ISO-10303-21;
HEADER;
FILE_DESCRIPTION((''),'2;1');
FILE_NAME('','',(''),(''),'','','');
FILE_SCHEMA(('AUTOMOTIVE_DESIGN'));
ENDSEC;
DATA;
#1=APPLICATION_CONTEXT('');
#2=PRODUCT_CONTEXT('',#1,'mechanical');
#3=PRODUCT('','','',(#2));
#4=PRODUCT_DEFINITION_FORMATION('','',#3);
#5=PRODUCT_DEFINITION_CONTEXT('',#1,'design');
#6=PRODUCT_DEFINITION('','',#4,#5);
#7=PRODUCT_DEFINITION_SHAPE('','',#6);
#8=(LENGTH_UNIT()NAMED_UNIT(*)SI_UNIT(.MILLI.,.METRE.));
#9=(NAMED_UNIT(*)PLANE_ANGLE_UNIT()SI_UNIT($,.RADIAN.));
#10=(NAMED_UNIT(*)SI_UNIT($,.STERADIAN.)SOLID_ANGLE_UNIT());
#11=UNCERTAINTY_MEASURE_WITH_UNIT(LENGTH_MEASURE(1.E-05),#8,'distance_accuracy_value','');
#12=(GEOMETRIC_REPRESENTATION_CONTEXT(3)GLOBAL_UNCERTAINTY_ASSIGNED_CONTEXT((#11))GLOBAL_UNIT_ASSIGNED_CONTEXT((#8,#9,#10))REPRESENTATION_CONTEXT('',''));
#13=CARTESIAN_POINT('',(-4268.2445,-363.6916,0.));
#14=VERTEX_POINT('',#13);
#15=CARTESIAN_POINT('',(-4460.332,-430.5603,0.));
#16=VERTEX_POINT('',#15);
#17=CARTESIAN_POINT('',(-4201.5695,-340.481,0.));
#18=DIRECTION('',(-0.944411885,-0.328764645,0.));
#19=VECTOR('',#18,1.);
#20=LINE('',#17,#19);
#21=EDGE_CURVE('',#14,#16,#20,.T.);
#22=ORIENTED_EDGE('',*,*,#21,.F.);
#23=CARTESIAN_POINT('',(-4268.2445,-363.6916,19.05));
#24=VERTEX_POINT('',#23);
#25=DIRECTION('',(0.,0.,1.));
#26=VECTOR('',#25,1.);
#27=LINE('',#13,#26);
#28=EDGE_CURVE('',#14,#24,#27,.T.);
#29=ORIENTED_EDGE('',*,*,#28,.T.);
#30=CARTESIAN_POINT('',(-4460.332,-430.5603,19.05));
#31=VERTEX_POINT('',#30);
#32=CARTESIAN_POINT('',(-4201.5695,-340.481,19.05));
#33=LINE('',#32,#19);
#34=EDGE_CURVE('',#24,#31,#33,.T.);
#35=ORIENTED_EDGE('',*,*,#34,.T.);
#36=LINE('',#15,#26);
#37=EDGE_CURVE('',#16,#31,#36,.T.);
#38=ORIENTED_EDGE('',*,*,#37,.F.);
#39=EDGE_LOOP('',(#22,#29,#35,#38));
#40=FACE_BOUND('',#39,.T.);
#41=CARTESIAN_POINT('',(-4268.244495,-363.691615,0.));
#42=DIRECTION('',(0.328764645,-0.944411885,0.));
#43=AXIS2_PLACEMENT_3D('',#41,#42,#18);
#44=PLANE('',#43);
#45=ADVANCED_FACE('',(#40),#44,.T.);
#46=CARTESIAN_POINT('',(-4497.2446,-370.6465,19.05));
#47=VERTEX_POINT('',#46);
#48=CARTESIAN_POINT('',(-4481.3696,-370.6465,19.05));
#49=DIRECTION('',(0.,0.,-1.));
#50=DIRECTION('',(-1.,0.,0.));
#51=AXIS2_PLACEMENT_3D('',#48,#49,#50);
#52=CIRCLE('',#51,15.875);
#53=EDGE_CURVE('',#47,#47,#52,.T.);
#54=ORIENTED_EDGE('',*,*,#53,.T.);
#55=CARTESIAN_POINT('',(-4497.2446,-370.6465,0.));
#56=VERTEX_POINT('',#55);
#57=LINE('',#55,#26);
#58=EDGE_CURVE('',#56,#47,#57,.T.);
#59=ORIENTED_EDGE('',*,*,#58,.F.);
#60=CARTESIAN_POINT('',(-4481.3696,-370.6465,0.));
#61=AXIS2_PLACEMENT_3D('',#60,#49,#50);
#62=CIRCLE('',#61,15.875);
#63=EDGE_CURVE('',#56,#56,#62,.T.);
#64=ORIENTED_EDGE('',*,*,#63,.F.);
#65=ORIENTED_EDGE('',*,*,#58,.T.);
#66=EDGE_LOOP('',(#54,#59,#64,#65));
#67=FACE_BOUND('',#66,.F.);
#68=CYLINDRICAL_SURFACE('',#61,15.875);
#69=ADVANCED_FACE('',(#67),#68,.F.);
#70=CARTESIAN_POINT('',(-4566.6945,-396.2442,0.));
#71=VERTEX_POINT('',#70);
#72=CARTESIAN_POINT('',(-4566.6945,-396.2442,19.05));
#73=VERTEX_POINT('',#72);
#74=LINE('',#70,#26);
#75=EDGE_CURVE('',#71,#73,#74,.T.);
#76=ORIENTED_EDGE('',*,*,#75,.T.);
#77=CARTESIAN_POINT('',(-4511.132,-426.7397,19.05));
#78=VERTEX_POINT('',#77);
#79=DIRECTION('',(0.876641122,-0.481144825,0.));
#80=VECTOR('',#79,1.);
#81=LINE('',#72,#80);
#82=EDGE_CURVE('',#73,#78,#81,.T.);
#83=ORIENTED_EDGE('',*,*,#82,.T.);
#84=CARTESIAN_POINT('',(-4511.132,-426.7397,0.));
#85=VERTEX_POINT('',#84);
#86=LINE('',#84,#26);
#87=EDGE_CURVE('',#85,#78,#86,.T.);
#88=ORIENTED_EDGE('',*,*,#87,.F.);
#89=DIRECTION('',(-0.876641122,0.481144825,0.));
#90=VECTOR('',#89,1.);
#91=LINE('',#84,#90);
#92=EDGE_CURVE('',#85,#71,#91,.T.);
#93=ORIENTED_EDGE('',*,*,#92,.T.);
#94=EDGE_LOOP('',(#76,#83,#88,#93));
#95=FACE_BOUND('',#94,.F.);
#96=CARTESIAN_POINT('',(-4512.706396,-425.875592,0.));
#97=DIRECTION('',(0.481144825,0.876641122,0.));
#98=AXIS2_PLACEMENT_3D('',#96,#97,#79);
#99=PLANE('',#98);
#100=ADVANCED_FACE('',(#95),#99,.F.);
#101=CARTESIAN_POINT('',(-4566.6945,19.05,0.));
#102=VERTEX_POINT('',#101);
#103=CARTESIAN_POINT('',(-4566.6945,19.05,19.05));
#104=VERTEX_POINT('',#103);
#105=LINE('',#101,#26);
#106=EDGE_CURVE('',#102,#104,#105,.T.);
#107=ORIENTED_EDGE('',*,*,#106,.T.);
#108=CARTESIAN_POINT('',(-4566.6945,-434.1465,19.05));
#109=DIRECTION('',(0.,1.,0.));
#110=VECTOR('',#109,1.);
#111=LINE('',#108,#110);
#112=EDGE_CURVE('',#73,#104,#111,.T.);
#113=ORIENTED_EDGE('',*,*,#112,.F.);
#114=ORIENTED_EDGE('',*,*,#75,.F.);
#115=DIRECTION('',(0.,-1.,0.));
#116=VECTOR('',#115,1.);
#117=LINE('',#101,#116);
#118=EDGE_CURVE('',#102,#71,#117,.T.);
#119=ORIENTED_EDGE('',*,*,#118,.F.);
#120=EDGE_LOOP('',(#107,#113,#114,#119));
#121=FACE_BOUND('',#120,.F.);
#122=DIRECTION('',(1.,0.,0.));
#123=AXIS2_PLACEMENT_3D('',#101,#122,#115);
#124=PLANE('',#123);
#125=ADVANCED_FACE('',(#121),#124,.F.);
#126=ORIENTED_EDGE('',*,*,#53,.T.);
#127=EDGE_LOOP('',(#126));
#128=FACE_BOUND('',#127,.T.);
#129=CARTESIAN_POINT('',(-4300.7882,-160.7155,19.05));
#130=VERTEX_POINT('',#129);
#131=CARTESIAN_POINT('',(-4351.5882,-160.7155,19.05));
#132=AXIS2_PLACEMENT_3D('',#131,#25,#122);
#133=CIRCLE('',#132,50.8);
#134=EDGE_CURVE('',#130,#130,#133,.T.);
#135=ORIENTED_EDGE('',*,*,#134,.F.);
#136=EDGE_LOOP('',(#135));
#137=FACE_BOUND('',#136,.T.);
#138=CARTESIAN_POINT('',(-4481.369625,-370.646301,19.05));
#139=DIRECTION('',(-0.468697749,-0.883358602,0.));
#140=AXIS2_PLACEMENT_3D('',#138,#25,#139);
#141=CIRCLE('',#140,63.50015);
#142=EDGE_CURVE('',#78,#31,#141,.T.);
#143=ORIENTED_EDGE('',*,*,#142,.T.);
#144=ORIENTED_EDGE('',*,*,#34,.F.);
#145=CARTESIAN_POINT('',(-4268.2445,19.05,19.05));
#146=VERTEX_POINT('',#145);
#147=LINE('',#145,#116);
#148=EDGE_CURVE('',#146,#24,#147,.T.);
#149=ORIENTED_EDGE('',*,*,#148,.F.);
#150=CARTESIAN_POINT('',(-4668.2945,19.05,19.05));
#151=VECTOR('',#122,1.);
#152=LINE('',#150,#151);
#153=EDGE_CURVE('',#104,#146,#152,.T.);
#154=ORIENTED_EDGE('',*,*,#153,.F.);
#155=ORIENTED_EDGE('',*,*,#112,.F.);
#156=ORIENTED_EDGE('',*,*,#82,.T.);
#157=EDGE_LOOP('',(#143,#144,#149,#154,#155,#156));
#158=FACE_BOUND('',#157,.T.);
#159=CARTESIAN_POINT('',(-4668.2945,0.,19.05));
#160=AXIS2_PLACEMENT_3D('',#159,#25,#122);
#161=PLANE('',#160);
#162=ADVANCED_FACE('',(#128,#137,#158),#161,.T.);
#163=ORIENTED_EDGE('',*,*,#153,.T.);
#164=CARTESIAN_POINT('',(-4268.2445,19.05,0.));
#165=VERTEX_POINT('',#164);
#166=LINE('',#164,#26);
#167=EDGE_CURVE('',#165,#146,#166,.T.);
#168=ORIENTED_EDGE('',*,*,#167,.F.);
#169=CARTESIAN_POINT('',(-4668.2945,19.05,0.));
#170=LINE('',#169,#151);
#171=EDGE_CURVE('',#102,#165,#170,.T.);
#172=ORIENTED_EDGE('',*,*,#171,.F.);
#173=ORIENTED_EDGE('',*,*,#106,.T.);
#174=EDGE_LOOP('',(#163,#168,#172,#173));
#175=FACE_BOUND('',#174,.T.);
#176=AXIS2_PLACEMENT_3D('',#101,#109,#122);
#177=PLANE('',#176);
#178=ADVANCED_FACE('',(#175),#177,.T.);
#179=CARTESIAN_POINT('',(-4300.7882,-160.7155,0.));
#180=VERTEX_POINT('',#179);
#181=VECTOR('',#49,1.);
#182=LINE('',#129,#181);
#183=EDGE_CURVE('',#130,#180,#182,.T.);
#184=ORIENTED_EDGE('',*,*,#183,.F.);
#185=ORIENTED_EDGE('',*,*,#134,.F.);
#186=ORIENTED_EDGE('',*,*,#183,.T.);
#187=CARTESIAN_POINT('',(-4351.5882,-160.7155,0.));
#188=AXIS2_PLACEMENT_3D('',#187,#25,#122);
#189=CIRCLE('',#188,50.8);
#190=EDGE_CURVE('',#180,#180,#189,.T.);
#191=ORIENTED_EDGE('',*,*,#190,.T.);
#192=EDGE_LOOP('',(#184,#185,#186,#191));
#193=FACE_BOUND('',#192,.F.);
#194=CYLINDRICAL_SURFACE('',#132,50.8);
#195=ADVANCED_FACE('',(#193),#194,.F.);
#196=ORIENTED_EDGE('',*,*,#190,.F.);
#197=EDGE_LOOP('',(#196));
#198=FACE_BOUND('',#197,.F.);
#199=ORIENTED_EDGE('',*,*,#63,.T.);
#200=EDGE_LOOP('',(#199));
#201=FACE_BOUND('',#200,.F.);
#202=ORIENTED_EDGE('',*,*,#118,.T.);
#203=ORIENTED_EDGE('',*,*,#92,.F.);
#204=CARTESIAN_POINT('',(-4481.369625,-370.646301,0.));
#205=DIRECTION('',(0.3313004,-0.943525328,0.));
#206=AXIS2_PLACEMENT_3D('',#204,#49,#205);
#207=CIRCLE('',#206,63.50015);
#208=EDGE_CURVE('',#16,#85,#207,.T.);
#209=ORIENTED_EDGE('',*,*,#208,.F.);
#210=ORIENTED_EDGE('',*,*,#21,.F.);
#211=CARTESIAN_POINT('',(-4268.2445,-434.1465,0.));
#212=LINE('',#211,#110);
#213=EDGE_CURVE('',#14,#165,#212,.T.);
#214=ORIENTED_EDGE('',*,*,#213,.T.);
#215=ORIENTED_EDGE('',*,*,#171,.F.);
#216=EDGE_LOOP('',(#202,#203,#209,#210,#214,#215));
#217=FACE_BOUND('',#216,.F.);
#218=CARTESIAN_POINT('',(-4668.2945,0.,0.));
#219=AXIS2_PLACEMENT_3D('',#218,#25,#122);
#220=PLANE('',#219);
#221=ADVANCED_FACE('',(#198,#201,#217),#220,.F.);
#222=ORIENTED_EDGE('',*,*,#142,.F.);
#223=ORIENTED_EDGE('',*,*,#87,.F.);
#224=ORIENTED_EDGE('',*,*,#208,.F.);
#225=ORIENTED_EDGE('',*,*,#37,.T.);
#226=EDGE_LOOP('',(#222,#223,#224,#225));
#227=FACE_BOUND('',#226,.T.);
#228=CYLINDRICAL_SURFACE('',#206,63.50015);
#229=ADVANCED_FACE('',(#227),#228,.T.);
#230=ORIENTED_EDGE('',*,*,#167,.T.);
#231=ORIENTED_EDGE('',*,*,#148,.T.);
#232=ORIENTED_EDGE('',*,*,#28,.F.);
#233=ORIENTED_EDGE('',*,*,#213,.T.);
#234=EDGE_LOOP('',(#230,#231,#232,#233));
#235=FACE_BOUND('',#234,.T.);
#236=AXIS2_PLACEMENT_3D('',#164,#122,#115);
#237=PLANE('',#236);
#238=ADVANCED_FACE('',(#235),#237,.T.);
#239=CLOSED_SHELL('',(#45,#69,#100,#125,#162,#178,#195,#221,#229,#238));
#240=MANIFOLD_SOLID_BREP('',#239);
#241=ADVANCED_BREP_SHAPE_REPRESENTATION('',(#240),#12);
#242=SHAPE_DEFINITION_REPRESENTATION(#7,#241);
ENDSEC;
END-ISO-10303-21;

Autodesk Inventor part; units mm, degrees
ref_plane "YZ Plane" through (0, 0, 0) normal (1, 0, 0) x (0, 1, 0)
ref_plane "XZ Plane" through (0, 0, 0) normal (0, 1, 0) x (-1, 0, 0)
ref_plane "Work Plane1" through (-4668.2945, 0, 0) normal (0, 0, 1) x (1, 0, 0)
sketch "Sketch1" plane through (-4668.2945, 0, 0) normal (0, 0, 1) x (1, 0, 0)
  line L0 (0, 19.05) -> (466.725, 19.05) projected
  line L1 (466.725, 0) -> (466.725, 19.05) projected
  line L2 (0, 0) -> (0, 19.05) projected
  line L3 (0, -340.481) -> (0, -321.431) projected
  line L4 (466.725, -340.481) -> (0, -340.481) projected
  line L5 (466.725, -340.481) -> (0, -340.481) projected
  line L6 (466.725, -340.481) -> (466.725, -321.431) projected
  line L7 (0, -321.431) -> (466.725, -321.431) construction
  line L8 (0, -340.481) -> (0, -321.431) projected
  line L9 (466.725, 19.05) -> (0, 19.05)
  line L10 (0, 19.05) -> (0, -340.481) construction
  line L11 (466.725, -340.481) -> (466.725, 19.05) construction
  line L12 (147.3639, -408.7465) -> (46.3111, -408.7465) construction
  line L13 (466.725, -340.481) -> (466.725, -408.7465) construction
  line L14 (466.725, -408.7465) -> (147.3639, -408.7465) construction
  line L15 (46.3111, -408.7465) -> (0, -408.7465)
  line L16 (0, -408.7465) -> (0, -340.481) construction
  line L17 (466.725, -408.7465) -> (466.725, -434.1465)
  line L18 (466.725, -434.1465) -> (0, -434.1465)
  line L19 (0, -434.1465) -> (0, -408.7465)
  line L20 (400.05, 19.05) -> (400.05, 0)
  line L21 (400.05, -321.431) -> (400.05, -340.481)
  line L22 (400.05, 0) -> (400.05, -321.431)
  line L23 (400.05, -340.481) -> (400.05, -434.1465)
  line L24 (101.6, 19.05) -> (101.6, 0)
  line L25 (101.6, -321.431) -> (101.6, -340.481)
  line L26 (101.6, 0) -> (101.6, -321.431)
  line L27 (101.6, -340.481) -> (101.6, -434.1465)
  point P0 (4668.2945, 0)
  point P1 (50.8, 19.05)
  point P2 (50.8, -321.431)
  point P3 (50.8, -340.481)
  point P4 (50.8, -434.1465)
  dimension "d7" = 25.4
extrude "Extrusion1" add sketch "Sketch1" along normal blind 19.05
sketch "Sketch2" plane through (-4668.2945, 0, 0) normal (0, 0, -1) x (-1, 0, 0)
  line L0 (-232.5687, -355.978) -> (-232.5688, 34.547)
  line L1 (-141.2875, -408.7465) -> (-141.2875, 124.6535)
  circle A0 centre (-186.9249, -370.6465) radius 15.875
  line L2 (-232.5687, -370.6465) -> (-141.2875, -370.6465) construction
  line L3 (0, -408.7465) -> (-466.725, -408.7465) projected
  point P0 (-4668.2945, 0)
  dimension "d2" = 31.75
  dimension "d3" = 45.6438
  dimension "d4" = 38.1
extrude "Extrusion2" cut sketch "Sketch2" against normal up to next
sketch "Sketch3" plane through (-4668.2945, 0, 0) normal (0, 0, -1) x (-1, 0, 0)
  circle A0 centre (-186.9249, -370.6465) radius 15.875 projected
  arc A1 (-207.9625, -430.5603) -> (-155.5881, -425.8756) centre (-186.9249, -370.6465) ccw
  line L0 (-101.6, -434.1465) -> (-400.05, -434.1465) projected
  line L1 (0, -340.481) -> (-157.1625, -426.7397)
  line L2 (-466.725, -340.481) -> (-207.9625, -430.5603)
  line L3 (-466.725, -434.1465) -> (-466.725, -340.481)
  line L4 (-466.725, -434.1465) -> (-466.725, 19.05) projected
  line L5 (-101.6, -434.1465) -> (-400.05, -434.1465) projected
  line L6 (0, -434.1465) -> (0, -340.481)
  line L7 (0, 19.05) -> (0, -434.1465) projected
  arc A2 (-155.5881, -425.8756) -> (-207.9625, -430.5603) centre (-186.9249, -370.6465) ccw construction
  line L8 (-101.6, 19.05) -> (-101.6, -434.1465) projected
  line L9 (-101.6, -396.2442) -> (-101.6, -434.1465)
  line L10 (-400.05, -434.1465) -> (-400.05, 19.05) projected
  line L11 (-400.05, -363.6916) -> (-400.05, -434.1465)
  point P0 (-4668.2945, 0)
  point P1 (-186.9249, -434.1465)
  point P2 (-50.8, -434.1465)
extrude "Extrusion3" cut sketch "Sketch3" against normal blind 19.05
sketch "Sketch4" plane through (-4668.2945, 0, 19.05) normal (0, 0, 1) x (1, 0, 0)
  circle A0 centre (316.7063, -160.7155) radius 12.7 construction
  circle A1 centre (316.7063, -160.7155) radius 50.8
  point P0 (4668.2945, 0)
  dimension "d10" = 101.6
extrude "Extrusion4" cut sketch "Sketch4" against normal up to next
properties part number "cannonSideWall"
